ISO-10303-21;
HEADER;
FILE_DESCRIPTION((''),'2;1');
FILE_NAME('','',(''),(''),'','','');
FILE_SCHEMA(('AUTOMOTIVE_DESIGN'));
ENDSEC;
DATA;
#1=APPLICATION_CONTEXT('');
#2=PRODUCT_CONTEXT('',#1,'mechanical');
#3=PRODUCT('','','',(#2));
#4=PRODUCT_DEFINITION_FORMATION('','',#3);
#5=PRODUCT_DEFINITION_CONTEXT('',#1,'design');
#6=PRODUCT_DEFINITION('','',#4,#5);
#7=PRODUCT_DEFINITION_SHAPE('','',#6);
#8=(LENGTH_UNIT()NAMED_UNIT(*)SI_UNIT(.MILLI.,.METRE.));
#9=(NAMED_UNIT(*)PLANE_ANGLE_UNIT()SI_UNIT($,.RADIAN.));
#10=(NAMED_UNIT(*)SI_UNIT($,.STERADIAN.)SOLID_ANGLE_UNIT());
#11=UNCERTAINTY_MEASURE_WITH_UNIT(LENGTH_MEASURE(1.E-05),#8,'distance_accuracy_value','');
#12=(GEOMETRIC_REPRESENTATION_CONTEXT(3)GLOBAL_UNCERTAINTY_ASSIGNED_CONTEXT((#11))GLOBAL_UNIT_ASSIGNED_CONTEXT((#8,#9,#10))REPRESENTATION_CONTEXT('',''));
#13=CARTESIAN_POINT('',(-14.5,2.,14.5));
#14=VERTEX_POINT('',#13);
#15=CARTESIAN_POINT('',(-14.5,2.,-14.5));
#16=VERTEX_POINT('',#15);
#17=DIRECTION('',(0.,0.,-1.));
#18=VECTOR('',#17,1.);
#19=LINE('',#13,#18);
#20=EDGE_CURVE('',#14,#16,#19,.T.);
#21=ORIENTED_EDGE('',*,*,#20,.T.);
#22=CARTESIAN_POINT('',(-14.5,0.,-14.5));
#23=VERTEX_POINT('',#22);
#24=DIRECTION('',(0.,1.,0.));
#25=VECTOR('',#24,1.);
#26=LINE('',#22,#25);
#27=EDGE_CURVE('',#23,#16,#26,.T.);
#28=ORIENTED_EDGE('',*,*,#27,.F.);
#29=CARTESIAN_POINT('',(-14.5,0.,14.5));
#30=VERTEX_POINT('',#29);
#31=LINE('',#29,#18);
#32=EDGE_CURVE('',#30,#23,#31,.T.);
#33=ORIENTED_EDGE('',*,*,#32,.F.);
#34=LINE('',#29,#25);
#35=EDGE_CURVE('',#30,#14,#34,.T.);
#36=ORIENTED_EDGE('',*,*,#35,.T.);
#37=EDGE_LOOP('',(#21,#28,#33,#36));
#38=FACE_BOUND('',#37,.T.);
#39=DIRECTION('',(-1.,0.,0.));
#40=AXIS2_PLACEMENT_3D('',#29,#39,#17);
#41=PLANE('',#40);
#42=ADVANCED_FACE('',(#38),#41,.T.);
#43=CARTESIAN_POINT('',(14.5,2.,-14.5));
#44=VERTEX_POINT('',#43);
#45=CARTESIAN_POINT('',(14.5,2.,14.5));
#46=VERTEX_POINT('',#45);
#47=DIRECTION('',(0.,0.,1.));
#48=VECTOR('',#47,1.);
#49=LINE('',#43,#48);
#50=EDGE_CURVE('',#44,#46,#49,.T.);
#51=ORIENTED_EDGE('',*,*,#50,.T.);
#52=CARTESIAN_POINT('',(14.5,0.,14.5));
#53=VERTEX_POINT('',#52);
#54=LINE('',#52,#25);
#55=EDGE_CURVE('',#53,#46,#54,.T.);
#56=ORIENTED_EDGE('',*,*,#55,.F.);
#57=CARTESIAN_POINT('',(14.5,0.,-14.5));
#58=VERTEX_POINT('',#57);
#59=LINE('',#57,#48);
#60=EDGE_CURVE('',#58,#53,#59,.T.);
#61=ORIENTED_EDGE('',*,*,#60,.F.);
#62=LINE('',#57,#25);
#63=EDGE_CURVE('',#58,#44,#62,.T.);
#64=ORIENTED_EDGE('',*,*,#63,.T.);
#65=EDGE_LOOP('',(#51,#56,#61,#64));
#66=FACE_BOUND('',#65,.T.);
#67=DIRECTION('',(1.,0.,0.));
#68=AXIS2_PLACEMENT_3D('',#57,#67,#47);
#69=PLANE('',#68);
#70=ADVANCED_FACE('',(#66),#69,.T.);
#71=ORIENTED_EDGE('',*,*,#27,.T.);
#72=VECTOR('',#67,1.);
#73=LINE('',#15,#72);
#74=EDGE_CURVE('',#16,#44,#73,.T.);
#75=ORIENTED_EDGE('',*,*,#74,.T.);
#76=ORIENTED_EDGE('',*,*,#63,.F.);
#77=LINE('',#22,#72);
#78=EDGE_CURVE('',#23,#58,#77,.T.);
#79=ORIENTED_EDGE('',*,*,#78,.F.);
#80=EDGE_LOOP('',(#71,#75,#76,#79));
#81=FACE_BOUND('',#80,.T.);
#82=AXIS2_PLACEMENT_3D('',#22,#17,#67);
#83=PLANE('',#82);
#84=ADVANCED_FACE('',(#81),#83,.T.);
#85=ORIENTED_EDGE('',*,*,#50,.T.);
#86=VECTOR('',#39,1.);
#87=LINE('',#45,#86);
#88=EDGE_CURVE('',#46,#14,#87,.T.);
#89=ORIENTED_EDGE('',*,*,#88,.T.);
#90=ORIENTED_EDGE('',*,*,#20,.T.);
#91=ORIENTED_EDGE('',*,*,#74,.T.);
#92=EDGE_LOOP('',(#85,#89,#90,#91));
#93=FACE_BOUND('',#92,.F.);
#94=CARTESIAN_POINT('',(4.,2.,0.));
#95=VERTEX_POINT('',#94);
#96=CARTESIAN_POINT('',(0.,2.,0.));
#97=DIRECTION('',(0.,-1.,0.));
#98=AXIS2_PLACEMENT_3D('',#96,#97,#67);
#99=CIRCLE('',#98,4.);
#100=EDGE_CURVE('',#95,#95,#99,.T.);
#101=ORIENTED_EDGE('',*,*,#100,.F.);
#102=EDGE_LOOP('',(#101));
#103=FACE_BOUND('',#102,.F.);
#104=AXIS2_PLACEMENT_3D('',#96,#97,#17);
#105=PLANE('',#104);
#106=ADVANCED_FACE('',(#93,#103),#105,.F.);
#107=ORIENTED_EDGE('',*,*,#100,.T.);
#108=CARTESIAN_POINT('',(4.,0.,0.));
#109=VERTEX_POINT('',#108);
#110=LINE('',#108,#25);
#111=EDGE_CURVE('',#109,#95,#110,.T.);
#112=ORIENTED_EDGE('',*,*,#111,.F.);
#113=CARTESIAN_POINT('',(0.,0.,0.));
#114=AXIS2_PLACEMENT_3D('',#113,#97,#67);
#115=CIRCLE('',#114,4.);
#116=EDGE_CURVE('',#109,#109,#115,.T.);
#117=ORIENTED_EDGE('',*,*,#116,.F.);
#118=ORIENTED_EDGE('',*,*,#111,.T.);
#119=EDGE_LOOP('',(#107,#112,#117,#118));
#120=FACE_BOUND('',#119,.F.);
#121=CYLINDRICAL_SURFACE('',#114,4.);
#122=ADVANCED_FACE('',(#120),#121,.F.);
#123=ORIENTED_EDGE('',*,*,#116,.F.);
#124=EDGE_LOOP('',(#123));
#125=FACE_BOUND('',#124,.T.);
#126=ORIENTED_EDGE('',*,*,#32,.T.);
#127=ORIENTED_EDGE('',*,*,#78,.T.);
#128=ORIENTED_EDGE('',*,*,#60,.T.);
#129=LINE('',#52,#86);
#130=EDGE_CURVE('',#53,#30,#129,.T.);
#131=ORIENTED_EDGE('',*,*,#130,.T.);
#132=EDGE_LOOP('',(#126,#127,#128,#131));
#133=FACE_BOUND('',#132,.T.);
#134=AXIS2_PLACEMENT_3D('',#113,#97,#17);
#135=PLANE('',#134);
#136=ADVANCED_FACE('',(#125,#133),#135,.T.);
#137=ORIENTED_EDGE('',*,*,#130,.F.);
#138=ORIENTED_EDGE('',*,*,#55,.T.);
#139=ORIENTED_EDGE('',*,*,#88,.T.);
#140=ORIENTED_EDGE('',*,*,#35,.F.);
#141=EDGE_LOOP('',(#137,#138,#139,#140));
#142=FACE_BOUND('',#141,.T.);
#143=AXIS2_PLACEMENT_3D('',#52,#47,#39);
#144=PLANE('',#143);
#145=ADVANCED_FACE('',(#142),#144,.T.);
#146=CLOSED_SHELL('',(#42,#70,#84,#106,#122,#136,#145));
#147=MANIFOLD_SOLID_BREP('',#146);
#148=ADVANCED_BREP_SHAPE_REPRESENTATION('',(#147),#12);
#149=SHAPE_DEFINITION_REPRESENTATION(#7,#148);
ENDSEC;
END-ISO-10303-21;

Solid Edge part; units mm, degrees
sketch "Sketch1" plane through (0, 0, 0) normal (0, -1, 0) x (1, 0, 0)
  circle A0 centre (0, 0) radius 4
  line L0 (14.5, 14.5) -> (-14.5, 14.5)
  line L1 (-14.5, 14.5) -> (-14.5, -14.5)
  line L2 (-14.5, -14.5) -> (14.5, -14.5)
  line L3 (14.5, -14.5) -> (14.5, 14.5)
extrude "Protrusion1" add sketch "Sketch1" against normal blind 2
